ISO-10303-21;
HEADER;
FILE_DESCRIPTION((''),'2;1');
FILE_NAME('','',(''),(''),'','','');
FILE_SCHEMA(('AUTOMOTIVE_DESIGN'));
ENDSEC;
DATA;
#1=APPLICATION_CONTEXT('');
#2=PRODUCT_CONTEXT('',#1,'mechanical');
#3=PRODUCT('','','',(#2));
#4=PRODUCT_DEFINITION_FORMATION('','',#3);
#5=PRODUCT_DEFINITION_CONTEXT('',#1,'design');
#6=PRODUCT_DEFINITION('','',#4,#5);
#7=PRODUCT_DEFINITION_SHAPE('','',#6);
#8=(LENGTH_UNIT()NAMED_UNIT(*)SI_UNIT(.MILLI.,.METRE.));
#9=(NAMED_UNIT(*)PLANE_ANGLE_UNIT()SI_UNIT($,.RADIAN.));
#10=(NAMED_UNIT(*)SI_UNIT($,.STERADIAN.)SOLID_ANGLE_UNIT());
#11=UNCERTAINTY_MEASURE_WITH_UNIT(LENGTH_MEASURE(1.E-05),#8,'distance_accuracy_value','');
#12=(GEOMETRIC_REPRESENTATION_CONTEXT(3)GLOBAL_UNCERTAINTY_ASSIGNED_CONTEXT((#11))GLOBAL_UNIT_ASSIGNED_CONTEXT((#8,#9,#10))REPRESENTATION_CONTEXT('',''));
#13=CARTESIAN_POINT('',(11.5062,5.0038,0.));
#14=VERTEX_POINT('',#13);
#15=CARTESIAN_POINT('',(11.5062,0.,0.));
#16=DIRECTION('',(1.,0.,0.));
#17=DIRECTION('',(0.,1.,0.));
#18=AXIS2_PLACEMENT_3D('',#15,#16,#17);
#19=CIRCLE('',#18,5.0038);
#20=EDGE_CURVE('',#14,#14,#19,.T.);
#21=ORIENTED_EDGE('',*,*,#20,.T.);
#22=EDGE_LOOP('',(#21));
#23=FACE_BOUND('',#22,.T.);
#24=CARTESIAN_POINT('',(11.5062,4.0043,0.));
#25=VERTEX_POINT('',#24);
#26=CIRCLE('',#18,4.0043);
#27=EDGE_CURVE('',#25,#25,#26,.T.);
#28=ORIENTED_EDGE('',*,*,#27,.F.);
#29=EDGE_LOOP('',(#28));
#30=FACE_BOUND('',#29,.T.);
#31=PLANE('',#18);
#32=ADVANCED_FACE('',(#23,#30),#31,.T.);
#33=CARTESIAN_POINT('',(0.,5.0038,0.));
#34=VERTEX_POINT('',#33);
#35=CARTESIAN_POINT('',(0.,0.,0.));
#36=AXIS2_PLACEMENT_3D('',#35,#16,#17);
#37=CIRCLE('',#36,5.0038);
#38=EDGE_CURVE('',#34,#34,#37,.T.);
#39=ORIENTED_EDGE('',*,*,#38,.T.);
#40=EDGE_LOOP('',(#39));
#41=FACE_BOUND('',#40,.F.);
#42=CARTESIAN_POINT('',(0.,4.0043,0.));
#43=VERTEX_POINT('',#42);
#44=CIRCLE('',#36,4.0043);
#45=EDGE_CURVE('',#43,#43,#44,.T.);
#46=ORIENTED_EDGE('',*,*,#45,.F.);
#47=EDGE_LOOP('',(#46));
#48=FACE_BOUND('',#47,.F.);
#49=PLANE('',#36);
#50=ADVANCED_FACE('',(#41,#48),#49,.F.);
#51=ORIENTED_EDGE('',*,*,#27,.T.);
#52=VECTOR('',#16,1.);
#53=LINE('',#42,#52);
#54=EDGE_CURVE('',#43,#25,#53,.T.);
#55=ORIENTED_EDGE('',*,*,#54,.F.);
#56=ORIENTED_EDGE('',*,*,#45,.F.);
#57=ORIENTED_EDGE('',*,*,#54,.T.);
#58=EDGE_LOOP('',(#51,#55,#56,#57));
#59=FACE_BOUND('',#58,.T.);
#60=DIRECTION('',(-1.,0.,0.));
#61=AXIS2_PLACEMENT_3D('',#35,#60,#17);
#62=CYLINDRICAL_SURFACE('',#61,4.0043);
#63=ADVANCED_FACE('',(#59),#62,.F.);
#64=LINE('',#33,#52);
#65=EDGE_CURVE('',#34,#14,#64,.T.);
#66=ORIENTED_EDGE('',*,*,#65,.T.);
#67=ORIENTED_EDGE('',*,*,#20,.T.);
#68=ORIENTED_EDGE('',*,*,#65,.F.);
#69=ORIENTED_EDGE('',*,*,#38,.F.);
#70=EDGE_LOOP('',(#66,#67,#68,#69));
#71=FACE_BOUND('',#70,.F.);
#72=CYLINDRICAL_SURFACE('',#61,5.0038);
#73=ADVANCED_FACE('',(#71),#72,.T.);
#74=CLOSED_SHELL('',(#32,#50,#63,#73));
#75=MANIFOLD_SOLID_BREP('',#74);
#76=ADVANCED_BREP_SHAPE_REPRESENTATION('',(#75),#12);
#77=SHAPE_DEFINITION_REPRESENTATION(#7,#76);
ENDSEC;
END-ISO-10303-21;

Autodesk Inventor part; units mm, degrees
ref_plane "YZ Plane" through (0, 0, 0) normal (1, 0, 0) x (0, 1, 0)
ref_plane "XZ Plane" through (0, 0, 0) normal (0, 1, 0) x (-1, 0, 0)
ref_plane "XY Plane" through (0, 0, 0) normal (0, 0, 1) x (1, 0, 0)
sketch "Sketch1" plane through (0, 0, 0) normal (1, 0, 0) x (0, 1, 0)
  circle A0 centre (0, 0) radius 5.0038
  circle A1 centre (0, 0) radius 4.0043
  dimension "d0" = 10.0076
  dimension "d1" = 8.0086
extrude "Extrusion1" add sketch "Sketch1" along normal blind 11.5062
properties part number "Flex_Bushing_NONSPACER"
